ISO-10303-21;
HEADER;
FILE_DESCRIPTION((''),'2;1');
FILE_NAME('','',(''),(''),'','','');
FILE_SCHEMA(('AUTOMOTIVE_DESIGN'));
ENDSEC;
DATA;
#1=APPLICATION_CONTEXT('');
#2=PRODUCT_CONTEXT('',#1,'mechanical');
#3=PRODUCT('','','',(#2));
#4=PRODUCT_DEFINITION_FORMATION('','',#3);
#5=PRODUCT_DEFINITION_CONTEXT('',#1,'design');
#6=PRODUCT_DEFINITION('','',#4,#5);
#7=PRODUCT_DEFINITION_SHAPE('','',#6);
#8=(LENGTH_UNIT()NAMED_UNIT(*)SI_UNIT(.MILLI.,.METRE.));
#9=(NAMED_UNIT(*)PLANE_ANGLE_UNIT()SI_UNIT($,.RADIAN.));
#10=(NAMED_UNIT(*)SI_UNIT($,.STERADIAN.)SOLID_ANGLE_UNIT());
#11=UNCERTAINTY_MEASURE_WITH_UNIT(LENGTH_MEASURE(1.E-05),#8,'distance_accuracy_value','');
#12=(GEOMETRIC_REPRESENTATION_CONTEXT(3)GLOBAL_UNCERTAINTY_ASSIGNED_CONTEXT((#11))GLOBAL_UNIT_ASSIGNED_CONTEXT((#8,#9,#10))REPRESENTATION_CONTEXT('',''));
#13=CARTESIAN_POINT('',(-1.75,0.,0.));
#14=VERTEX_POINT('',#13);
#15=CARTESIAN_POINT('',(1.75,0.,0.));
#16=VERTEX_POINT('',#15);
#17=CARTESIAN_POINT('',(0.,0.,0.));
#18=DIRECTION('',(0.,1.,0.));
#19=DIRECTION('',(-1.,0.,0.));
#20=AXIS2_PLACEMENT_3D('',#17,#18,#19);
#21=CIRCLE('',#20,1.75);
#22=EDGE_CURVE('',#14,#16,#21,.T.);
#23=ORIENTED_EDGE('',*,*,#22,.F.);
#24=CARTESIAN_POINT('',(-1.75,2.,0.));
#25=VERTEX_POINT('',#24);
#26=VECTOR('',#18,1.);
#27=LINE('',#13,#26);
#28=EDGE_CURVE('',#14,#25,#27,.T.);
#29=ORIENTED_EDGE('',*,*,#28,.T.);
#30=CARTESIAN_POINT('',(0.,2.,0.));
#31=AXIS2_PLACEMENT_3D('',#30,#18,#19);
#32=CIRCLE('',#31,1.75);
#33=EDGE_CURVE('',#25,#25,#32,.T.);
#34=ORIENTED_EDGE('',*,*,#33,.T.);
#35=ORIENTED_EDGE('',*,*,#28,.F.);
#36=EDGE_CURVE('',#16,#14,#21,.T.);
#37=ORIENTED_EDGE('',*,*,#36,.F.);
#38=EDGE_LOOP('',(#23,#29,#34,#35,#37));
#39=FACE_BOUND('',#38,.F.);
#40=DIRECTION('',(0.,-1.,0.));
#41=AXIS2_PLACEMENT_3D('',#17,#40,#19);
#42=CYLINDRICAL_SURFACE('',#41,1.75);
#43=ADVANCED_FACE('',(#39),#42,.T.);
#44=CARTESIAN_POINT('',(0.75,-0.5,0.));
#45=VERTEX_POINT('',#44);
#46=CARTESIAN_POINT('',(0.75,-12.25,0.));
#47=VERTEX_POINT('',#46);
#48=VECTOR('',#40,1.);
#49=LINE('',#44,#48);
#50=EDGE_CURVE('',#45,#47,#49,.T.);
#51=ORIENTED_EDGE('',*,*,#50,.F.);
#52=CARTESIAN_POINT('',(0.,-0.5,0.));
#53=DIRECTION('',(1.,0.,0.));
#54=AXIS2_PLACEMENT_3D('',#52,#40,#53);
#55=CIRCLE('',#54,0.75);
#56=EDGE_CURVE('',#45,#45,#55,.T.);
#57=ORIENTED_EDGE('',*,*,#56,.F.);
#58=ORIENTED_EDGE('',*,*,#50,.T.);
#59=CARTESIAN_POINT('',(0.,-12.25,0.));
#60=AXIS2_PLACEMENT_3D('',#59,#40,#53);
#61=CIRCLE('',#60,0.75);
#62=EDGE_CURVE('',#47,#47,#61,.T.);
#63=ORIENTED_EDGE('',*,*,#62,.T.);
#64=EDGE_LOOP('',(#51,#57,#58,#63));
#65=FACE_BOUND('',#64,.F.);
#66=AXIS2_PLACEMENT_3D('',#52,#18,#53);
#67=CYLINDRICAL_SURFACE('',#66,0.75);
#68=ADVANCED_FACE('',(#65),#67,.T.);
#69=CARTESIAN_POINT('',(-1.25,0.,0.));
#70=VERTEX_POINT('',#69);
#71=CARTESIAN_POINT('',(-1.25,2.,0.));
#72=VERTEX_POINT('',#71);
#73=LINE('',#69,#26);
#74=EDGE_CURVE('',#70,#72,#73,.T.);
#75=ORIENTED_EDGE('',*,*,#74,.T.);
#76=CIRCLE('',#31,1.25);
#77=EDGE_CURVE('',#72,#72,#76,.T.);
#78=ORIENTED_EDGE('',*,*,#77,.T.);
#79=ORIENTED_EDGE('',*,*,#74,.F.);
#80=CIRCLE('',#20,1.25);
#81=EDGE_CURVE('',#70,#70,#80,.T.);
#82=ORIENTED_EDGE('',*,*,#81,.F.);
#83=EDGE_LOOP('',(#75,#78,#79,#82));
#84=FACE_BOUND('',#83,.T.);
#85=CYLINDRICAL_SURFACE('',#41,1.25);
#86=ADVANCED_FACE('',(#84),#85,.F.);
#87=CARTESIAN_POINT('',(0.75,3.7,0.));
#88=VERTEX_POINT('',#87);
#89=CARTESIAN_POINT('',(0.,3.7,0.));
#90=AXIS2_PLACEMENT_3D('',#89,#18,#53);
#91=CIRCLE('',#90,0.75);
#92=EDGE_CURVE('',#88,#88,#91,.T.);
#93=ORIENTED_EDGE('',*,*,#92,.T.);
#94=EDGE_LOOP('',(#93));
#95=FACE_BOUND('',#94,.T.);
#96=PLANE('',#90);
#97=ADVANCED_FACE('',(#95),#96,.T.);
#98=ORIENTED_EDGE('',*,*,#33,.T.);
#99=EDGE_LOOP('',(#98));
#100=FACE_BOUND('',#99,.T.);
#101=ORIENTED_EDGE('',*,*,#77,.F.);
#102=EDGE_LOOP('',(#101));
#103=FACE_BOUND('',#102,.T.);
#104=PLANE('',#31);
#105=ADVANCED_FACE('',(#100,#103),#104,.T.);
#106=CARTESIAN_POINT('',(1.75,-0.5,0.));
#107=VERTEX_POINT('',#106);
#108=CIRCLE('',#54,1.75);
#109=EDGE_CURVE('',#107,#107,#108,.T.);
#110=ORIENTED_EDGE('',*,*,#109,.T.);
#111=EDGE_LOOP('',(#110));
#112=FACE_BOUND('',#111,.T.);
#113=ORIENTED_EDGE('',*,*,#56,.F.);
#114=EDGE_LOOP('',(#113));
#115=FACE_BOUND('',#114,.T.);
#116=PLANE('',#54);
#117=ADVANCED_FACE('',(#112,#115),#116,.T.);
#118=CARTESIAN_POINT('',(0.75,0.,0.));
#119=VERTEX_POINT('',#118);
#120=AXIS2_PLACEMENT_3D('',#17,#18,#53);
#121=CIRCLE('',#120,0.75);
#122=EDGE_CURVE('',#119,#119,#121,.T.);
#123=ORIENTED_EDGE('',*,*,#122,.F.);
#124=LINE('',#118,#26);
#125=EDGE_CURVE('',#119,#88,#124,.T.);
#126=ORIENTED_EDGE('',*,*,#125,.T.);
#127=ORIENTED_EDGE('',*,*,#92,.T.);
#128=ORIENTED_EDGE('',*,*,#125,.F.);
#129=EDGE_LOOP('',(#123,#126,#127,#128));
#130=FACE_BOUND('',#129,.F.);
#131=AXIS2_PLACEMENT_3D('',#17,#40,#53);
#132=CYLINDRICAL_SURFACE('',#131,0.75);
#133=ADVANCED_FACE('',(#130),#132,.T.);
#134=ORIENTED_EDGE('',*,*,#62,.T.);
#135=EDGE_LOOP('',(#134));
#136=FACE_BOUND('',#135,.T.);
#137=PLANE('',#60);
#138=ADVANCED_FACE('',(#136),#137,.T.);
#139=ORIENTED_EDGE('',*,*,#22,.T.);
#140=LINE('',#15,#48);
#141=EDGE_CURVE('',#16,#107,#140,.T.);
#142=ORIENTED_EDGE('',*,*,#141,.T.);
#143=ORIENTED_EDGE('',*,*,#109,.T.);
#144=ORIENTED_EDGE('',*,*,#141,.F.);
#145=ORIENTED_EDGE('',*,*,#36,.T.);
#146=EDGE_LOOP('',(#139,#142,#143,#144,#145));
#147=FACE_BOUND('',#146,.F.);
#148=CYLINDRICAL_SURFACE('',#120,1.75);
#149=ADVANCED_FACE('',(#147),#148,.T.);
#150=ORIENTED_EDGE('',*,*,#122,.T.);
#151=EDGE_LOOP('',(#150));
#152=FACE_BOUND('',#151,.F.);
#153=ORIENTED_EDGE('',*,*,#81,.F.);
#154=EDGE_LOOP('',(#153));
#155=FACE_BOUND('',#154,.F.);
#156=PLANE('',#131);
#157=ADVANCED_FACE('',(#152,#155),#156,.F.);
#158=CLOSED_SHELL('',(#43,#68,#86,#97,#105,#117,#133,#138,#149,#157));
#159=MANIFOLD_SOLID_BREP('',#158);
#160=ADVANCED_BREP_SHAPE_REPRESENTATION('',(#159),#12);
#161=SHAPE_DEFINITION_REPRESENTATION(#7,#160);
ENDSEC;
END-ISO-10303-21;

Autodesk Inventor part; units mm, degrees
ref_plane "YZ Plane" through (0, 0, 0) normal (1, 0, 0) x (0, 1, 0)
ref_plane "XZ Plane" through (0, 0, 0) normal (0, 1, 0) x (-1, 0, 0)
ref_plane "XY Plane" through (0, 0, 0) normal (0, 0, 1) x (1, 0, 0)
sketch "Sketch1" plane through (0, 0, 0) normal (0, 1, 0) x (-1, 0, 0)
  circle A0 centre (0, 0) radius 1.25
  circle A1 centre (0, 0) radius 1.75
  dimension "d0" = 2.5
  dimension "d1" = 3.5
extrude "Extrusion1" add sketch "Sketch1" along normal blind 2
sketch "Sketch2" plane through (0, 0, 0) normal (0, -1, 0) x (1, 0, 0)
  circle A0 centre (0, 0) radius 1.75
extrude "Extrusion2" add sketch "Sketch2" along normal blind 0.5
sketch "Sketch3" plane through (0, 0, 0) normal (0, 1, 0) x (1, 0, 0)
  circle A0 centre (0, 0) radius 0.75
  dimension "d6" = 1.5
extrude "Extrusion3" add sketch "Sketch3" along normal blind 3.7
sketch "Sketch4" plane through (0, -0.5, 0) normal (0, -1, 0) x (1, 0, 0)
  circle A0 centre (0, 0) radius 0.75 projected
  circle A1 centre (0, 0) radius 0.75
extrude "Extrusion4" add sketch "Sketch4" along normal blind 11.75
properties part number "plunger extension" material "ABS Plastic"
